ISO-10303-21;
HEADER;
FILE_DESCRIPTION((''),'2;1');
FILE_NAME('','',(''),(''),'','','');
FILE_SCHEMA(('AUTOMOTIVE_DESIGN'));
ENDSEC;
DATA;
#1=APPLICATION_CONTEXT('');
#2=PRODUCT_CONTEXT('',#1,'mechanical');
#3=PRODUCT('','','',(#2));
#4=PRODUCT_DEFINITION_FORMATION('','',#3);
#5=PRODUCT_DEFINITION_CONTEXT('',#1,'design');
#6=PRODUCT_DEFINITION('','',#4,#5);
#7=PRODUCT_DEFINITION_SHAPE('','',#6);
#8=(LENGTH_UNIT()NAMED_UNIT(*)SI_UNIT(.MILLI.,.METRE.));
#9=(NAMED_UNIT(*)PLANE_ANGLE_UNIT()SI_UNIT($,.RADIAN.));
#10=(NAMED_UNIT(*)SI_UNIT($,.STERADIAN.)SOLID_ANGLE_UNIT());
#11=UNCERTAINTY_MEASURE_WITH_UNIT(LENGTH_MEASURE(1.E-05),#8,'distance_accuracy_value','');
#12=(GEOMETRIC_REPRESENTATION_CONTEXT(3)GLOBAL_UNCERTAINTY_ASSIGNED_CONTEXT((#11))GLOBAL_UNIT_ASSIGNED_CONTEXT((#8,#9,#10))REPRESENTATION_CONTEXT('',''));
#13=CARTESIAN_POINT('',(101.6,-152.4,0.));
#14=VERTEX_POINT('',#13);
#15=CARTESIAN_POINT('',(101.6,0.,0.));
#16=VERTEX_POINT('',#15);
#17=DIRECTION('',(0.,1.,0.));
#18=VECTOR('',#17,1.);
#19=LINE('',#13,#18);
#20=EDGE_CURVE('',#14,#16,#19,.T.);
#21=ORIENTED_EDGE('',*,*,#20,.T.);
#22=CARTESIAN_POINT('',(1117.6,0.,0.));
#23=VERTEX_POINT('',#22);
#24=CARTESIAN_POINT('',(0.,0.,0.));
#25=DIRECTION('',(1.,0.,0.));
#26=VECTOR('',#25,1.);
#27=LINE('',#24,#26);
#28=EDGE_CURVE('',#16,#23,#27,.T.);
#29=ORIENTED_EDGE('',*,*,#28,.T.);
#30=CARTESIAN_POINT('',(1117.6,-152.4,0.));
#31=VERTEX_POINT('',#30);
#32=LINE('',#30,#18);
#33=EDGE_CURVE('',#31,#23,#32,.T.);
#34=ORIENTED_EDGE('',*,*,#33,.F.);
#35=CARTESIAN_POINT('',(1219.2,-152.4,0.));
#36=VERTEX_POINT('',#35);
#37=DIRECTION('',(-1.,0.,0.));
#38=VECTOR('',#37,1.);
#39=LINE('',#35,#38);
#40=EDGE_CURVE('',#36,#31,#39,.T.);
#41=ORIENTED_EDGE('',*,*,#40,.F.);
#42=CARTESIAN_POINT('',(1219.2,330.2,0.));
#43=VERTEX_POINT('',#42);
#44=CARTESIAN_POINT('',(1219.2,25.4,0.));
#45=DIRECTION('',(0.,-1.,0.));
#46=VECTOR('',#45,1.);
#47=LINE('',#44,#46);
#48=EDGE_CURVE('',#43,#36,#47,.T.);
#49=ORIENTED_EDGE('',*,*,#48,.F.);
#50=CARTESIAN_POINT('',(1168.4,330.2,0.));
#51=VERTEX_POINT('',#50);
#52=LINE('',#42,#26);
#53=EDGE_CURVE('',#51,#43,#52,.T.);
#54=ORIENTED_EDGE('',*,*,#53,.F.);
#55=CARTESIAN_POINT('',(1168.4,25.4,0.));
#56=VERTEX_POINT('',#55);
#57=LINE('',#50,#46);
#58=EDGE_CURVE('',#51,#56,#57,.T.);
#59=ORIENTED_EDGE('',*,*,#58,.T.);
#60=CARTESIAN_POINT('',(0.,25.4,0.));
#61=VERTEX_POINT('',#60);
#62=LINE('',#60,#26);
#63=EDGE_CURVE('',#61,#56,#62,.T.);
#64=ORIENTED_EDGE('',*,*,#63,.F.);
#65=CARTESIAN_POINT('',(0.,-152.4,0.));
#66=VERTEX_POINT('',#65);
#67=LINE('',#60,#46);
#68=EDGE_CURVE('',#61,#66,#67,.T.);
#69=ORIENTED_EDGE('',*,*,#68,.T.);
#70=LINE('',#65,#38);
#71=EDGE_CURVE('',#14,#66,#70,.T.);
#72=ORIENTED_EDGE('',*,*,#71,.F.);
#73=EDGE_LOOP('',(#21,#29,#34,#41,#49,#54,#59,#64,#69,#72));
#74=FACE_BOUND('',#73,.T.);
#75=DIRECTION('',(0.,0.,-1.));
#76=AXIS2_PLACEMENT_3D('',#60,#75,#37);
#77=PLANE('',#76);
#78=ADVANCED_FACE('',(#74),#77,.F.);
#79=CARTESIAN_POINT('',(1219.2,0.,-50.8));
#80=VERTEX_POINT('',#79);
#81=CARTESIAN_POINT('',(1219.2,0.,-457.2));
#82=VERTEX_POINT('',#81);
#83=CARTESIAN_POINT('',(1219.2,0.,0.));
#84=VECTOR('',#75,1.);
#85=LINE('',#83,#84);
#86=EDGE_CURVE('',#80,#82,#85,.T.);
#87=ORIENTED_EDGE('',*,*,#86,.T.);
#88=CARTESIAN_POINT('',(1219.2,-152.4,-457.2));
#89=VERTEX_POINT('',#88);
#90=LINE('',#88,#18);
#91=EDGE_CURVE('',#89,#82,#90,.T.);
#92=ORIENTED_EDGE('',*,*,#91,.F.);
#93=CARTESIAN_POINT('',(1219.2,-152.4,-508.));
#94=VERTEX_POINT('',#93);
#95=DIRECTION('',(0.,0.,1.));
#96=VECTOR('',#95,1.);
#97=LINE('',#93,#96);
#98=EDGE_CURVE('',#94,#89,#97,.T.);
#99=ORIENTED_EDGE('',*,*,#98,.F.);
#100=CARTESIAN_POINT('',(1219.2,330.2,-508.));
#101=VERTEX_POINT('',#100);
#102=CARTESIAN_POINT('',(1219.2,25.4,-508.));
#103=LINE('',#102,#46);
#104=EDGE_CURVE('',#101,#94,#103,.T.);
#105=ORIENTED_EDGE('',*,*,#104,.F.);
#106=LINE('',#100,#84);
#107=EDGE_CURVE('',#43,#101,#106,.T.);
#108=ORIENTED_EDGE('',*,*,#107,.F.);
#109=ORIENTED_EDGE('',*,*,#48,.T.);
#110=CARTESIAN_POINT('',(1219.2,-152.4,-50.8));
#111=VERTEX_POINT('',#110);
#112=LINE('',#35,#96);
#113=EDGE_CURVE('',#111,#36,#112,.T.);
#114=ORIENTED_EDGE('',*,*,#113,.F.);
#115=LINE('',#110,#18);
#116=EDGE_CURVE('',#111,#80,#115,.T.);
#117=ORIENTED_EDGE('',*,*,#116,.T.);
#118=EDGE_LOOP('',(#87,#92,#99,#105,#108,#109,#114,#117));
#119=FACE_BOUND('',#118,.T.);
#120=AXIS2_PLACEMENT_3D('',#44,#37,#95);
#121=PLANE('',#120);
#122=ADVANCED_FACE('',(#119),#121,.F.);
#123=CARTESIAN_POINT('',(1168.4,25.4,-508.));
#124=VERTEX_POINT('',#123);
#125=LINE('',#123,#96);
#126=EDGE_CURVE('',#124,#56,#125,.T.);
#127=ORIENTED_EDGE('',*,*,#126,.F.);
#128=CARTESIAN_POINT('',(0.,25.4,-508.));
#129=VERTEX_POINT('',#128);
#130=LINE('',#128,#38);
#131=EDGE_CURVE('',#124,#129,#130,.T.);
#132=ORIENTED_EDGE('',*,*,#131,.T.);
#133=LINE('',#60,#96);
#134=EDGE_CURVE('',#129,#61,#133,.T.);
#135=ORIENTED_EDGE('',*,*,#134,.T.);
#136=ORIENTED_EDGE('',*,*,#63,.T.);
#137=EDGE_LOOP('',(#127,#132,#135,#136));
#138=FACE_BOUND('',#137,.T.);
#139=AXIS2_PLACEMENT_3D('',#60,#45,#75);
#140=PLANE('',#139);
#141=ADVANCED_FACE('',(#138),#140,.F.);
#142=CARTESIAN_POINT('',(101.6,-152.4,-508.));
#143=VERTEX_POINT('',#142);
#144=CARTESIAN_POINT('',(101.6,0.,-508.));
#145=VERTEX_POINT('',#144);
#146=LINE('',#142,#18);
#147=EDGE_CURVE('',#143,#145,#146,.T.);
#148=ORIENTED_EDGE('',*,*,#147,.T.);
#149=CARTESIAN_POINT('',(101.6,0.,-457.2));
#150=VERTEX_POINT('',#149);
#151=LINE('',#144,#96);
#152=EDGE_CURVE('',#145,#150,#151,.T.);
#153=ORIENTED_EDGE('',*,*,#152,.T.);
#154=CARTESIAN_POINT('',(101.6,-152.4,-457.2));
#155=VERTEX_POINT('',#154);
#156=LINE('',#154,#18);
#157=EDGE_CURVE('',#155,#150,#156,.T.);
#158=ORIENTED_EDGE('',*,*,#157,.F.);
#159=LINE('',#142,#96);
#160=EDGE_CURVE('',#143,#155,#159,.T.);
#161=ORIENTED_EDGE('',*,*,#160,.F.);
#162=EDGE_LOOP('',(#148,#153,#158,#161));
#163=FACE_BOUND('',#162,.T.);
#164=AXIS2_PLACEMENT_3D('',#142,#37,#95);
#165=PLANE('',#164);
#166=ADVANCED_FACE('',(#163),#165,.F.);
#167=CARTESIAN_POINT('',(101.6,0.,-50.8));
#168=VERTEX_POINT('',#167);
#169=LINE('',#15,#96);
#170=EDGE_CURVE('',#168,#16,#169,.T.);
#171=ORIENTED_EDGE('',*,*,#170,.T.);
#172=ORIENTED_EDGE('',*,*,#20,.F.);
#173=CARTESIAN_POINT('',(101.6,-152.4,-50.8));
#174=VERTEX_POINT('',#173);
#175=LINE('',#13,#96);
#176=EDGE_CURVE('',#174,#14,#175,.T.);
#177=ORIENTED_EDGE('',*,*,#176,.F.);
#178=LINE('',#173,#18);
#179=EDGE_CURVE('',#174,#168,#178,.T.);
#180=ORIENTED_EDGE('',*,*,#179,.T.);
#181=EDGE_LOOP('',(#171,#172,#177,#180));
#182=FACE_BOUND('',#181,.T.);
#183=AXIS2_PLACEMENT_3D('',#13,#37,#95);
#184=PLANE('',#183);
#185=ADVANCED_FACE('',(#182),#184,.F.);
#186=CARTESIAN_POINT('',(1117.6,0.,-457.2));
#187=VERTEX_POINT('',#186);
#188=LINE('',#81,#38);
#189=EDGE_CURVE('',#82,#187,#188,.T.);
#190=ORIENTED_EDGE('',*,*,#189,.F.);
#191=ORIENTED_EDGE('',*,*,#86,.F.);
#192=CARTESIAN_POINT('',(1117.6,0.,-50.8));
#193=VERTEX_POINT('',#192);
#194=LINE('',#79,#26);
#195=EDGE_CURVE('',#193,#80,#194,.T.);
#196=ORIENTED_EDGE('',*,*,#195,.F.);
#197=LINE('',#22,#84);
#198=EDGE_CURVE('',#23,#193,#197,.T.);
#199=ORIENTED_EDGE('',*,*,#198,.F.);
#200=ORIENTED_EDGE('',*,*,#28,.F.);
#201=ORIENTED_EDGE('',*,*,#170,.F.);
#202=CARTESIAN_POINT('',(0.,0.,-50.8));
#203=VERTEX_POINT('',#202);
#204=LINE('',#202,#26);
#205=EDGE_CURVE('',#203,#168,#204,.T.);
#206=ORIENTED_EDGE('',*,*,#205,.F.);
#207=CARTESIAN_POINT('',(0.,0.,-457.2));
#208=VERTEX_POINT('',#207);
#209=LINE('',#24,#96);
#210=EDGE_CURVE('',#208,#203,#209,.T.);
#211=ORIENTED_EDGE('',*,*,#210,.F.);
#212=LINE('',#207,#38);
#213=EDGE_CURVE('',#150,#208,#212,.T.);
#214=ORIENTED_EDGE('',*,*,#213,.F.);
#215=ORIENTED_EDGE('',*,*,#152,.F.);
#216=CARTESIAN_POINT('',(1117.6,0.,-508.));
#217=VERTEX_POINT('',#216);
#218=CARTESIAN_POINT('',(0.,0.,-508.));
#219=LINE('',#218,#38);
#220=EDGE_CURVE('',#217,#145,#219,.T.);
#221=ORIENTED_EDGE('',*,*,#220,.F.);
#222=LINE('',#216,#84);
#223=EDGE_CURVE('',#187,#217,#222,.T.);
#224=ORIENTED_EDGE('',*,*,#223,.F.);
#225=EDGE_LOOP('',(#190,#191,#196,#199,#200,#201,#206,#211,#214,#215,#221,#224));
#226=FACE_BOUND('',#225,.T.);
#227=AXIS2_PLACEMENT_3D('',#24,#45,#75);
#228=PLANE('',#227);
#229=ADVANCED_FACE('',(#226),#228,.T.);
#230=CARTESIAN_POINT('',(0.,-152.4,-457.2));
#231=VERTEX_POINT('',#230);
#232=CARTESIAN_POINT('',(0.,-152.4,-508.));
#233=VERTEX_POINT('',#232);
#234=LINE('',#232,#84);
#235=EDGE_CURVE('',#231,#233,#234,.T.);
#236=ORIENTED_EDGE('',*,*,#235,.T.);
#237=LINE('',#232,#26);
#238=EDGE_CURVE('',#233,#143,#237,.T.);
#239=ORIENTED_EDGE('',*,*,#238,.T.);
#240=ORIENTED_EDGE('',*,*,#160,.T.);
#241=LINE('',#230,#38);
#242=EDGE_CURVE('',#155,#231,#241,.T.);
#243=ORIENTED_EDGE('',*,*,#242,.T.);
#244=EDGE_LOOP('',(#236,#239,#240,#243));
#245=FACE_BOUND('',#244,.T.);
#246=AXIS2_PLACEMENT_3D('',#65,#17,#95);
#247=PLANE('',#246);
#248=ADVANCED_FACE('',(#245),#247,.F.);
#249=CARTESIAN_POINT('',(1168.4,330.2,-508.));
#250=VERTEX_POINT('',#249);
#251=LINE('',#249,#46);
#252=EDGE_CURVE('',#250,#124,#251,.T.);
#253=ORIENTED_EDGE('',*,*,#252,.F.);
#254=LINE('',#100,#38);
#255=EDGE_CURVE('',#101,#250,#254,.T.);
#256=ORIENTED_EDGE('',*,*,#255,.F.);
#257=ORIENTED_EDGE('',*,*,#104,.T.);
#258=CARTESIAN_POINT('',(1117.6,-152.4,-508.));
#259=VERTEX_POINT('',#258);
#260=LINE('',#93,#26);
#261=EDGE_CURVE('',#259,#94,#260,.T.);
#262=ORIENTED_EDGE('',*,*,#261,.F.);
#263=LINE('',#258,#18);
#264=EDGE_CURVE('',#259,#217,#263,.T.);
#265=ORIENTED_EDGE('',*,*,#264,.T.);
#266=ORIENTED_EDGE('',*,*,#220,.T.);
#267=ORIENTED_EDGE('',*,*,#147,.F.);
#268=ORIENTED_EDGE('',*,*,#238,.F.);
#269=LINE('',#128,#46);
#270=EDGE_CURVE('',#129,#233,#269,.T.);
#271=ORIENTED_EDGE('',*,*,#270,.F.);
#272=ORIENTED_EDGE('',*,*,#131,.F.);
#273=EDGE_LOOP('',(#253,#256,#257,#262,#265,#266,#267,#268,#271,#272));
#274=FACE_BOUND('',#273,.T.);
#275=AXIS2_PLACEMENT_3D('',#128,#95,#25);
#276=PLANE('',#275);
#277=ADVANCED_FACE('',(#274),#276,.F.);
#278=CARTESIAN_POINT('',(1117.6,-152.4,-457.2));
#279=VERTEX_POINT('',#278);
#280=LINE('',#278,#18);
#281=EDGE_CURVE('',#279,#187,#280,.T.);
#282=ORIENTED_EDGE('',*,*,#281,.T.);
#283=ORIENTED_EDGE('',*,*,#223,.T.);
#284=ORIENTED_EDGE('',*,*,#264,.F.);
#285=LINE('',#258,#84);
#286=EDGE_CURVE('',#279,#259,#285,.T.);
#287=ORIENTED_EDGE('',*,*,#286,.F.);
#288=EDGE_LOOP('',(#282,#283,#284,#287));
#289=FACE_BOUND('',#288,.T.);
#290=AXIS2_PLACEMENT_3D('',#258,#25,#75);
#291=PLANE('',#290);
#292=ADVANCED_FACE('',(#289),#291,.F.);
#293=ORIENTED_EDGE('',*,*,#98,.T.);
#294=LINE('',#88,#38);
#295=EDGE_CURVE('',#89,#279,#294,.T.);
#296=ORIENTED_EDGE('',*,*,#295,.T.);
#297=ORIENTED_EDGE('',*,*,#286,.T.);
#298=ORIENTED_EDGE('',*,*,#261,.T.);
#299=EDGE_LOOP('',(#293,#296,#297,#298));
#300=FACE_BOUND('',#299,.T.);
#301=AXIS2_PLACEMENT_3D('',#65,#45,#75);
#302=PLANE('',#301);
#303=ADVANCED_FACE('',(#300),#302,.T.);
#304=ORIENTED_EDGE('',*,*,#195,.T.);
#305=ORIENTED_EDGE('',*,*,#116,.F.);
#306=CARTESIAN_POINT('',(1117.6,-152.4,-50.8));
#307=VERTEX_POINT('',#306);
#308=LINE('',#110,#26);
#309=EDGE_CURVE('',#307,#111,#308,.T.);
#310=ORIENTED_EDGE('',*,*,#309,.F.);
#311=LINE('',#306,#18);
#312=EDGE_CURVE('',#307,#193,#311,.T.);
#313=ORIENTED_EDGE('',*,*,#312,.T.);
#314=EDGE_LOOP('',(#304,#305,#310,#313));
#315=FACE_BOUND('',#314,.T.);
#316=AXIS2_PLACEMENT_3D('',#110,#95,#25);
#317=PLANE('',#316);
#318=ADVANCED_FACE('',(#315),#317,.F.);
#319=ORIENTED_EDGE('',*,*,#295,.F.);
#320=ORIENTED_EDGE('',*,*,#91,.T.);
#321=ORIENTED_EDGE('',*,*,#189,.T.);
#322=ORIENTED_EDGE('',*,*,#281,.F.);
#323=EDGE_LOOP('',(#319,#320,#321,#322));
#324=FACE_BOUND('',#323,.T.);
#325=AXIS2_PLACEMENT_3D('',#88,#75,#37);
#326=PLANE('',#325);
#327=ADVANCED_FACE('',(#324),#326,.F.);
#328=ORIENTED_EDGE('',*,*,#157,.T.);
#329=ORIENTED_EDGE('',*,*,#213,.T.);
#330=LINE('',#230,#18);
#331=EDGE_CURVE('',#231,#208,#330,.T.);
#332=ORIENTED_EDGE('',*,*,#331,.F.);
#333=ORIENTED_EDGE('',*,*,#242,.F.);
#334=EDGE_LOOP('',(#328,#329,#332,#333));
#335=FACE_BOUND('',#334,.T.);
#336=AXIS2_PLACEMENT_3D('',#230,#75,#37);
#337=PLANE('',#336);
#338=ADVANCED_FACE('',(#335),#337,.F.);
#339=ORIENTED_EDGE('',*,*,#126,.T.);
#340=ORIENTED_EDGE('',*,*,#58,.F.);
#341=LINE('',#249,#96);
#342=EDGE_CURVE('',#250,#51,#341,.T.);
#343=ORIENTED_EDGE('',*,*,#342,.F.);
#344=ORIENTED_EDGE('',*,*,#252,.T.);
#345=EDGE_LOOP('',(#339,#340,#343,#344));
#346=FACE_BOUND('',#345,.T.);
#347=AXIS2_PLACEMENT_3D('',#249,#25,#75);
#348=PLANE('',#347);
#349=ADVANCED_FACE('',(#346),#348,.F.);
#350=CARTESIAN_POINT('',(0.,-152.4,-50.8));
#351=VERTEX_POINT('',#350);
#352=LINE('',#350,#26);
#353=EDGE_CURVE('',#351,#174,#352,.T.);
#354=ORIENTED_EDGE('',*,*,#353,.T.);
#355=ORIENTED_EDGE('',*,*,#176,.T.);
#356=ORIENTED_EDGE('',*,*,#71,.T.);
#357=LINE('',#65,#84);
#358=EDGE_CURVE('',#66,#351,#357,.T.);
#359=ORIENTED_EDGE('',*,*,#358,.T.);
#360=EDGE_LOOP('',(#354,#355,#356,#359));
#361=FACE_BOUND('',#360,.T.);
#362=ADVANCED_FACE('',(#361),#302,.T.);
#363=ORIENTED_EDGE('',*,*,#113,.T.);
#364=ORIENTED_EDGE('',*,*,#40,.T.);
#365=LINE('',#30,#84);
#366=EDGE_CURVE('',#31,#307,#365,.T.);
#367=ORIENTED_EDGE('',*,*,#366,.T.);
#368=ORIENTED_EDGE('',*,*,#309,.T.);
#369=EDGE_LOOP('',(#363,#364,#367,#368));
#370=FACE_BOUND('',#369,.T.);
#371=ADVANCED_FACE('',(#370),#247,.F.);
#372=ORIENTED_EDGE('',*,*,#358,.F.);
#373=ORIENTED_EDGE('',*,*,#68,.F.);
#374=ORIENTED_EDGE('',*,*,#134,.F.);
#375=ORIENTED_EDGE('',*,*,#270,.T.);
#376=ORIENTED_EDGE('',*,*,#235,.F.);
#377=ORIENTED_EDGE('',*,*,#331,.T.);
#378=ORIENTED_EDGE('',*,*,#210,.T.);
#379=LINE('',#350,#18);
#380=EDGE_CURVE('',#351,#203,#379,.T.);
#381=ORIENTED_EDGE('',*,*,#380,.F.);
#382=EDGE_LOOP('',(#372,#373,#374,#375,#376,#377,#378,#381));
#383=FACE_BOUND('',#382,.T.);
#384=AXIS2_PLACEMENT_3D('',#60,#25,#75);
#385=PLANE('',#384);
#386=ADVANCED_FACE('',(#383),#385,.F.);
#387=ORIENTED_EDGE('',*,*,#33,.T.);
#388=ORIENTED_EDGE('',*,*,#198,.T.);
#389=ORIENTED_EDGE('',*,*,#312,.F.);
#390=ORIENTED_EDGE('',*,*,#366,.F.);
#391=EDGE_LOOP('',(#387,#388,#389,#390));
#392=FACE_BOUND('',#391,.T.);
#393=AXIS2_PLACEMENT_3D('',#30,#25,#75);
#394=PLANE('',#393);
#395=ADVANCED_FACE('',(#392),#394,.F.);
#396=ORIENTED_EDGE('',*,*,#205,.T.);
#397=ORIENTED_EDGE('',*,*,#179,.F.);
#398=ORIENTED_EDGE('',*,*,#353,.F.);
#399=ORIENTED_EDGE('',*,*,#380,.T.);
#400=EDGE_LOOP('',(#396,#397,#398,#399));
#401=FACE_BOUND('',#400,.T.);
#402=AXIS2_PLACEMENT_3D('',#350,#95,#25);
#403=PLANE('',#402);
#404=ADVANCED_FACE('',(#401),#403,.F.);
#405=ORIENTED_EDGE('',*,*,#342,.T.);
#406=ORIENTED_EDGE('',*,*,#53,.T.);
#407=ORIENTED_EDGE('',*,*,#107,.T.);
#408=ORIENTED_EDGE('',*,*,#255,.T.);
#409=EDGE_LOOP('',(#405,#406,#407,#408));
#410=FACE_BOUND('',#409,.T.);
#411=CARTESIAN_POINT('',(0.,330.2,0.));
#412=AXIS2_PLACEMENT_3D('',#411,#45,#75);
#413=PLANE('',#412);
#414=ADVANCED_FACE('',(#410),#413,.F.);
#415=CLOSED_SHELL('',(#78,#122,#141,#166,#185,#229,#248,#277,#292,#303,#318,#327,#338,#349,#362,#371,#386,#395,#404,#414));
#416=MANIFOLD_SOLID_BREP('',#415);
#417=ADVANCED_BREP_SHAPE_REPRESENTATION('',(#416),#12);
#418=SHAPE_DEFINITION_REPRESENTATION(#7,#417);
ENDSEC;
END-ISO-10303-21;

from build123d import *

# Parameters (mm, degrees)
SKETCH1_W           = 1219.2
SKETCH1_H           = 508
BOSS_EXTRUDE1_DEPTH = 25.4
SKETCH2_W           = 50.8
SKETCH2_H           = 508
BOSS_EXTRUDE2_DEPTH = 304.8
SKETCH3_W           = 101.6
SKETCH3_H           = 50.8
BOSS_EXTRUDE3_DEPTH = 152.4


with BuildPart() as part:
    # Sketch1 → Boss-Extrude1 (new body)
    with BuildSketch(Plane(origin=(0, 0, 0), x_dir=(1, 0, 0), z_dir=(0, 1, 0))):
        with Locations((609.6, 254)):
            Rectangle(SKETCH1_W, SKETCH1_H)
    extrude(amount=BOSS_EXTRUDE1_DEPTH)

    # Sketch2 → Boss-Extrude2 (add)
    with BuildSketch(Plane(origin=(0, 25.4, 0), x_dir=(1, 0, 0), z_dir=(0, 1, 0))):
        with Locations((1193.8, 254)):
            Rectangle(SKETCH2_W, SKETCH2_H)
    extrude(amount=BOSS_EXTRUDE2_DEPTH)

    # Sketch3 → Boss-Extrude3 (add)
    with BuildSketch(Plane.XZ):
        with Locations((50.8, -25.4)):
            Rectangle(SKETCH3_W, SKETCH3_H)
        with Locations((50.8, -482.6)):
            Rectangle(SKETCH3_W, SKETCH3_H)
        with Locations((1168.4, -25.4)):
            Rectangle(SKETCH3_W, SKETCH3_H)
        with Locations((1168.4, -482.6)):
            Rectangle(SKETCH3_W, SKETCH3_H)
    extrude(amount=BOSS_EXTRUDE3_DEPTH)


solid = part.part
